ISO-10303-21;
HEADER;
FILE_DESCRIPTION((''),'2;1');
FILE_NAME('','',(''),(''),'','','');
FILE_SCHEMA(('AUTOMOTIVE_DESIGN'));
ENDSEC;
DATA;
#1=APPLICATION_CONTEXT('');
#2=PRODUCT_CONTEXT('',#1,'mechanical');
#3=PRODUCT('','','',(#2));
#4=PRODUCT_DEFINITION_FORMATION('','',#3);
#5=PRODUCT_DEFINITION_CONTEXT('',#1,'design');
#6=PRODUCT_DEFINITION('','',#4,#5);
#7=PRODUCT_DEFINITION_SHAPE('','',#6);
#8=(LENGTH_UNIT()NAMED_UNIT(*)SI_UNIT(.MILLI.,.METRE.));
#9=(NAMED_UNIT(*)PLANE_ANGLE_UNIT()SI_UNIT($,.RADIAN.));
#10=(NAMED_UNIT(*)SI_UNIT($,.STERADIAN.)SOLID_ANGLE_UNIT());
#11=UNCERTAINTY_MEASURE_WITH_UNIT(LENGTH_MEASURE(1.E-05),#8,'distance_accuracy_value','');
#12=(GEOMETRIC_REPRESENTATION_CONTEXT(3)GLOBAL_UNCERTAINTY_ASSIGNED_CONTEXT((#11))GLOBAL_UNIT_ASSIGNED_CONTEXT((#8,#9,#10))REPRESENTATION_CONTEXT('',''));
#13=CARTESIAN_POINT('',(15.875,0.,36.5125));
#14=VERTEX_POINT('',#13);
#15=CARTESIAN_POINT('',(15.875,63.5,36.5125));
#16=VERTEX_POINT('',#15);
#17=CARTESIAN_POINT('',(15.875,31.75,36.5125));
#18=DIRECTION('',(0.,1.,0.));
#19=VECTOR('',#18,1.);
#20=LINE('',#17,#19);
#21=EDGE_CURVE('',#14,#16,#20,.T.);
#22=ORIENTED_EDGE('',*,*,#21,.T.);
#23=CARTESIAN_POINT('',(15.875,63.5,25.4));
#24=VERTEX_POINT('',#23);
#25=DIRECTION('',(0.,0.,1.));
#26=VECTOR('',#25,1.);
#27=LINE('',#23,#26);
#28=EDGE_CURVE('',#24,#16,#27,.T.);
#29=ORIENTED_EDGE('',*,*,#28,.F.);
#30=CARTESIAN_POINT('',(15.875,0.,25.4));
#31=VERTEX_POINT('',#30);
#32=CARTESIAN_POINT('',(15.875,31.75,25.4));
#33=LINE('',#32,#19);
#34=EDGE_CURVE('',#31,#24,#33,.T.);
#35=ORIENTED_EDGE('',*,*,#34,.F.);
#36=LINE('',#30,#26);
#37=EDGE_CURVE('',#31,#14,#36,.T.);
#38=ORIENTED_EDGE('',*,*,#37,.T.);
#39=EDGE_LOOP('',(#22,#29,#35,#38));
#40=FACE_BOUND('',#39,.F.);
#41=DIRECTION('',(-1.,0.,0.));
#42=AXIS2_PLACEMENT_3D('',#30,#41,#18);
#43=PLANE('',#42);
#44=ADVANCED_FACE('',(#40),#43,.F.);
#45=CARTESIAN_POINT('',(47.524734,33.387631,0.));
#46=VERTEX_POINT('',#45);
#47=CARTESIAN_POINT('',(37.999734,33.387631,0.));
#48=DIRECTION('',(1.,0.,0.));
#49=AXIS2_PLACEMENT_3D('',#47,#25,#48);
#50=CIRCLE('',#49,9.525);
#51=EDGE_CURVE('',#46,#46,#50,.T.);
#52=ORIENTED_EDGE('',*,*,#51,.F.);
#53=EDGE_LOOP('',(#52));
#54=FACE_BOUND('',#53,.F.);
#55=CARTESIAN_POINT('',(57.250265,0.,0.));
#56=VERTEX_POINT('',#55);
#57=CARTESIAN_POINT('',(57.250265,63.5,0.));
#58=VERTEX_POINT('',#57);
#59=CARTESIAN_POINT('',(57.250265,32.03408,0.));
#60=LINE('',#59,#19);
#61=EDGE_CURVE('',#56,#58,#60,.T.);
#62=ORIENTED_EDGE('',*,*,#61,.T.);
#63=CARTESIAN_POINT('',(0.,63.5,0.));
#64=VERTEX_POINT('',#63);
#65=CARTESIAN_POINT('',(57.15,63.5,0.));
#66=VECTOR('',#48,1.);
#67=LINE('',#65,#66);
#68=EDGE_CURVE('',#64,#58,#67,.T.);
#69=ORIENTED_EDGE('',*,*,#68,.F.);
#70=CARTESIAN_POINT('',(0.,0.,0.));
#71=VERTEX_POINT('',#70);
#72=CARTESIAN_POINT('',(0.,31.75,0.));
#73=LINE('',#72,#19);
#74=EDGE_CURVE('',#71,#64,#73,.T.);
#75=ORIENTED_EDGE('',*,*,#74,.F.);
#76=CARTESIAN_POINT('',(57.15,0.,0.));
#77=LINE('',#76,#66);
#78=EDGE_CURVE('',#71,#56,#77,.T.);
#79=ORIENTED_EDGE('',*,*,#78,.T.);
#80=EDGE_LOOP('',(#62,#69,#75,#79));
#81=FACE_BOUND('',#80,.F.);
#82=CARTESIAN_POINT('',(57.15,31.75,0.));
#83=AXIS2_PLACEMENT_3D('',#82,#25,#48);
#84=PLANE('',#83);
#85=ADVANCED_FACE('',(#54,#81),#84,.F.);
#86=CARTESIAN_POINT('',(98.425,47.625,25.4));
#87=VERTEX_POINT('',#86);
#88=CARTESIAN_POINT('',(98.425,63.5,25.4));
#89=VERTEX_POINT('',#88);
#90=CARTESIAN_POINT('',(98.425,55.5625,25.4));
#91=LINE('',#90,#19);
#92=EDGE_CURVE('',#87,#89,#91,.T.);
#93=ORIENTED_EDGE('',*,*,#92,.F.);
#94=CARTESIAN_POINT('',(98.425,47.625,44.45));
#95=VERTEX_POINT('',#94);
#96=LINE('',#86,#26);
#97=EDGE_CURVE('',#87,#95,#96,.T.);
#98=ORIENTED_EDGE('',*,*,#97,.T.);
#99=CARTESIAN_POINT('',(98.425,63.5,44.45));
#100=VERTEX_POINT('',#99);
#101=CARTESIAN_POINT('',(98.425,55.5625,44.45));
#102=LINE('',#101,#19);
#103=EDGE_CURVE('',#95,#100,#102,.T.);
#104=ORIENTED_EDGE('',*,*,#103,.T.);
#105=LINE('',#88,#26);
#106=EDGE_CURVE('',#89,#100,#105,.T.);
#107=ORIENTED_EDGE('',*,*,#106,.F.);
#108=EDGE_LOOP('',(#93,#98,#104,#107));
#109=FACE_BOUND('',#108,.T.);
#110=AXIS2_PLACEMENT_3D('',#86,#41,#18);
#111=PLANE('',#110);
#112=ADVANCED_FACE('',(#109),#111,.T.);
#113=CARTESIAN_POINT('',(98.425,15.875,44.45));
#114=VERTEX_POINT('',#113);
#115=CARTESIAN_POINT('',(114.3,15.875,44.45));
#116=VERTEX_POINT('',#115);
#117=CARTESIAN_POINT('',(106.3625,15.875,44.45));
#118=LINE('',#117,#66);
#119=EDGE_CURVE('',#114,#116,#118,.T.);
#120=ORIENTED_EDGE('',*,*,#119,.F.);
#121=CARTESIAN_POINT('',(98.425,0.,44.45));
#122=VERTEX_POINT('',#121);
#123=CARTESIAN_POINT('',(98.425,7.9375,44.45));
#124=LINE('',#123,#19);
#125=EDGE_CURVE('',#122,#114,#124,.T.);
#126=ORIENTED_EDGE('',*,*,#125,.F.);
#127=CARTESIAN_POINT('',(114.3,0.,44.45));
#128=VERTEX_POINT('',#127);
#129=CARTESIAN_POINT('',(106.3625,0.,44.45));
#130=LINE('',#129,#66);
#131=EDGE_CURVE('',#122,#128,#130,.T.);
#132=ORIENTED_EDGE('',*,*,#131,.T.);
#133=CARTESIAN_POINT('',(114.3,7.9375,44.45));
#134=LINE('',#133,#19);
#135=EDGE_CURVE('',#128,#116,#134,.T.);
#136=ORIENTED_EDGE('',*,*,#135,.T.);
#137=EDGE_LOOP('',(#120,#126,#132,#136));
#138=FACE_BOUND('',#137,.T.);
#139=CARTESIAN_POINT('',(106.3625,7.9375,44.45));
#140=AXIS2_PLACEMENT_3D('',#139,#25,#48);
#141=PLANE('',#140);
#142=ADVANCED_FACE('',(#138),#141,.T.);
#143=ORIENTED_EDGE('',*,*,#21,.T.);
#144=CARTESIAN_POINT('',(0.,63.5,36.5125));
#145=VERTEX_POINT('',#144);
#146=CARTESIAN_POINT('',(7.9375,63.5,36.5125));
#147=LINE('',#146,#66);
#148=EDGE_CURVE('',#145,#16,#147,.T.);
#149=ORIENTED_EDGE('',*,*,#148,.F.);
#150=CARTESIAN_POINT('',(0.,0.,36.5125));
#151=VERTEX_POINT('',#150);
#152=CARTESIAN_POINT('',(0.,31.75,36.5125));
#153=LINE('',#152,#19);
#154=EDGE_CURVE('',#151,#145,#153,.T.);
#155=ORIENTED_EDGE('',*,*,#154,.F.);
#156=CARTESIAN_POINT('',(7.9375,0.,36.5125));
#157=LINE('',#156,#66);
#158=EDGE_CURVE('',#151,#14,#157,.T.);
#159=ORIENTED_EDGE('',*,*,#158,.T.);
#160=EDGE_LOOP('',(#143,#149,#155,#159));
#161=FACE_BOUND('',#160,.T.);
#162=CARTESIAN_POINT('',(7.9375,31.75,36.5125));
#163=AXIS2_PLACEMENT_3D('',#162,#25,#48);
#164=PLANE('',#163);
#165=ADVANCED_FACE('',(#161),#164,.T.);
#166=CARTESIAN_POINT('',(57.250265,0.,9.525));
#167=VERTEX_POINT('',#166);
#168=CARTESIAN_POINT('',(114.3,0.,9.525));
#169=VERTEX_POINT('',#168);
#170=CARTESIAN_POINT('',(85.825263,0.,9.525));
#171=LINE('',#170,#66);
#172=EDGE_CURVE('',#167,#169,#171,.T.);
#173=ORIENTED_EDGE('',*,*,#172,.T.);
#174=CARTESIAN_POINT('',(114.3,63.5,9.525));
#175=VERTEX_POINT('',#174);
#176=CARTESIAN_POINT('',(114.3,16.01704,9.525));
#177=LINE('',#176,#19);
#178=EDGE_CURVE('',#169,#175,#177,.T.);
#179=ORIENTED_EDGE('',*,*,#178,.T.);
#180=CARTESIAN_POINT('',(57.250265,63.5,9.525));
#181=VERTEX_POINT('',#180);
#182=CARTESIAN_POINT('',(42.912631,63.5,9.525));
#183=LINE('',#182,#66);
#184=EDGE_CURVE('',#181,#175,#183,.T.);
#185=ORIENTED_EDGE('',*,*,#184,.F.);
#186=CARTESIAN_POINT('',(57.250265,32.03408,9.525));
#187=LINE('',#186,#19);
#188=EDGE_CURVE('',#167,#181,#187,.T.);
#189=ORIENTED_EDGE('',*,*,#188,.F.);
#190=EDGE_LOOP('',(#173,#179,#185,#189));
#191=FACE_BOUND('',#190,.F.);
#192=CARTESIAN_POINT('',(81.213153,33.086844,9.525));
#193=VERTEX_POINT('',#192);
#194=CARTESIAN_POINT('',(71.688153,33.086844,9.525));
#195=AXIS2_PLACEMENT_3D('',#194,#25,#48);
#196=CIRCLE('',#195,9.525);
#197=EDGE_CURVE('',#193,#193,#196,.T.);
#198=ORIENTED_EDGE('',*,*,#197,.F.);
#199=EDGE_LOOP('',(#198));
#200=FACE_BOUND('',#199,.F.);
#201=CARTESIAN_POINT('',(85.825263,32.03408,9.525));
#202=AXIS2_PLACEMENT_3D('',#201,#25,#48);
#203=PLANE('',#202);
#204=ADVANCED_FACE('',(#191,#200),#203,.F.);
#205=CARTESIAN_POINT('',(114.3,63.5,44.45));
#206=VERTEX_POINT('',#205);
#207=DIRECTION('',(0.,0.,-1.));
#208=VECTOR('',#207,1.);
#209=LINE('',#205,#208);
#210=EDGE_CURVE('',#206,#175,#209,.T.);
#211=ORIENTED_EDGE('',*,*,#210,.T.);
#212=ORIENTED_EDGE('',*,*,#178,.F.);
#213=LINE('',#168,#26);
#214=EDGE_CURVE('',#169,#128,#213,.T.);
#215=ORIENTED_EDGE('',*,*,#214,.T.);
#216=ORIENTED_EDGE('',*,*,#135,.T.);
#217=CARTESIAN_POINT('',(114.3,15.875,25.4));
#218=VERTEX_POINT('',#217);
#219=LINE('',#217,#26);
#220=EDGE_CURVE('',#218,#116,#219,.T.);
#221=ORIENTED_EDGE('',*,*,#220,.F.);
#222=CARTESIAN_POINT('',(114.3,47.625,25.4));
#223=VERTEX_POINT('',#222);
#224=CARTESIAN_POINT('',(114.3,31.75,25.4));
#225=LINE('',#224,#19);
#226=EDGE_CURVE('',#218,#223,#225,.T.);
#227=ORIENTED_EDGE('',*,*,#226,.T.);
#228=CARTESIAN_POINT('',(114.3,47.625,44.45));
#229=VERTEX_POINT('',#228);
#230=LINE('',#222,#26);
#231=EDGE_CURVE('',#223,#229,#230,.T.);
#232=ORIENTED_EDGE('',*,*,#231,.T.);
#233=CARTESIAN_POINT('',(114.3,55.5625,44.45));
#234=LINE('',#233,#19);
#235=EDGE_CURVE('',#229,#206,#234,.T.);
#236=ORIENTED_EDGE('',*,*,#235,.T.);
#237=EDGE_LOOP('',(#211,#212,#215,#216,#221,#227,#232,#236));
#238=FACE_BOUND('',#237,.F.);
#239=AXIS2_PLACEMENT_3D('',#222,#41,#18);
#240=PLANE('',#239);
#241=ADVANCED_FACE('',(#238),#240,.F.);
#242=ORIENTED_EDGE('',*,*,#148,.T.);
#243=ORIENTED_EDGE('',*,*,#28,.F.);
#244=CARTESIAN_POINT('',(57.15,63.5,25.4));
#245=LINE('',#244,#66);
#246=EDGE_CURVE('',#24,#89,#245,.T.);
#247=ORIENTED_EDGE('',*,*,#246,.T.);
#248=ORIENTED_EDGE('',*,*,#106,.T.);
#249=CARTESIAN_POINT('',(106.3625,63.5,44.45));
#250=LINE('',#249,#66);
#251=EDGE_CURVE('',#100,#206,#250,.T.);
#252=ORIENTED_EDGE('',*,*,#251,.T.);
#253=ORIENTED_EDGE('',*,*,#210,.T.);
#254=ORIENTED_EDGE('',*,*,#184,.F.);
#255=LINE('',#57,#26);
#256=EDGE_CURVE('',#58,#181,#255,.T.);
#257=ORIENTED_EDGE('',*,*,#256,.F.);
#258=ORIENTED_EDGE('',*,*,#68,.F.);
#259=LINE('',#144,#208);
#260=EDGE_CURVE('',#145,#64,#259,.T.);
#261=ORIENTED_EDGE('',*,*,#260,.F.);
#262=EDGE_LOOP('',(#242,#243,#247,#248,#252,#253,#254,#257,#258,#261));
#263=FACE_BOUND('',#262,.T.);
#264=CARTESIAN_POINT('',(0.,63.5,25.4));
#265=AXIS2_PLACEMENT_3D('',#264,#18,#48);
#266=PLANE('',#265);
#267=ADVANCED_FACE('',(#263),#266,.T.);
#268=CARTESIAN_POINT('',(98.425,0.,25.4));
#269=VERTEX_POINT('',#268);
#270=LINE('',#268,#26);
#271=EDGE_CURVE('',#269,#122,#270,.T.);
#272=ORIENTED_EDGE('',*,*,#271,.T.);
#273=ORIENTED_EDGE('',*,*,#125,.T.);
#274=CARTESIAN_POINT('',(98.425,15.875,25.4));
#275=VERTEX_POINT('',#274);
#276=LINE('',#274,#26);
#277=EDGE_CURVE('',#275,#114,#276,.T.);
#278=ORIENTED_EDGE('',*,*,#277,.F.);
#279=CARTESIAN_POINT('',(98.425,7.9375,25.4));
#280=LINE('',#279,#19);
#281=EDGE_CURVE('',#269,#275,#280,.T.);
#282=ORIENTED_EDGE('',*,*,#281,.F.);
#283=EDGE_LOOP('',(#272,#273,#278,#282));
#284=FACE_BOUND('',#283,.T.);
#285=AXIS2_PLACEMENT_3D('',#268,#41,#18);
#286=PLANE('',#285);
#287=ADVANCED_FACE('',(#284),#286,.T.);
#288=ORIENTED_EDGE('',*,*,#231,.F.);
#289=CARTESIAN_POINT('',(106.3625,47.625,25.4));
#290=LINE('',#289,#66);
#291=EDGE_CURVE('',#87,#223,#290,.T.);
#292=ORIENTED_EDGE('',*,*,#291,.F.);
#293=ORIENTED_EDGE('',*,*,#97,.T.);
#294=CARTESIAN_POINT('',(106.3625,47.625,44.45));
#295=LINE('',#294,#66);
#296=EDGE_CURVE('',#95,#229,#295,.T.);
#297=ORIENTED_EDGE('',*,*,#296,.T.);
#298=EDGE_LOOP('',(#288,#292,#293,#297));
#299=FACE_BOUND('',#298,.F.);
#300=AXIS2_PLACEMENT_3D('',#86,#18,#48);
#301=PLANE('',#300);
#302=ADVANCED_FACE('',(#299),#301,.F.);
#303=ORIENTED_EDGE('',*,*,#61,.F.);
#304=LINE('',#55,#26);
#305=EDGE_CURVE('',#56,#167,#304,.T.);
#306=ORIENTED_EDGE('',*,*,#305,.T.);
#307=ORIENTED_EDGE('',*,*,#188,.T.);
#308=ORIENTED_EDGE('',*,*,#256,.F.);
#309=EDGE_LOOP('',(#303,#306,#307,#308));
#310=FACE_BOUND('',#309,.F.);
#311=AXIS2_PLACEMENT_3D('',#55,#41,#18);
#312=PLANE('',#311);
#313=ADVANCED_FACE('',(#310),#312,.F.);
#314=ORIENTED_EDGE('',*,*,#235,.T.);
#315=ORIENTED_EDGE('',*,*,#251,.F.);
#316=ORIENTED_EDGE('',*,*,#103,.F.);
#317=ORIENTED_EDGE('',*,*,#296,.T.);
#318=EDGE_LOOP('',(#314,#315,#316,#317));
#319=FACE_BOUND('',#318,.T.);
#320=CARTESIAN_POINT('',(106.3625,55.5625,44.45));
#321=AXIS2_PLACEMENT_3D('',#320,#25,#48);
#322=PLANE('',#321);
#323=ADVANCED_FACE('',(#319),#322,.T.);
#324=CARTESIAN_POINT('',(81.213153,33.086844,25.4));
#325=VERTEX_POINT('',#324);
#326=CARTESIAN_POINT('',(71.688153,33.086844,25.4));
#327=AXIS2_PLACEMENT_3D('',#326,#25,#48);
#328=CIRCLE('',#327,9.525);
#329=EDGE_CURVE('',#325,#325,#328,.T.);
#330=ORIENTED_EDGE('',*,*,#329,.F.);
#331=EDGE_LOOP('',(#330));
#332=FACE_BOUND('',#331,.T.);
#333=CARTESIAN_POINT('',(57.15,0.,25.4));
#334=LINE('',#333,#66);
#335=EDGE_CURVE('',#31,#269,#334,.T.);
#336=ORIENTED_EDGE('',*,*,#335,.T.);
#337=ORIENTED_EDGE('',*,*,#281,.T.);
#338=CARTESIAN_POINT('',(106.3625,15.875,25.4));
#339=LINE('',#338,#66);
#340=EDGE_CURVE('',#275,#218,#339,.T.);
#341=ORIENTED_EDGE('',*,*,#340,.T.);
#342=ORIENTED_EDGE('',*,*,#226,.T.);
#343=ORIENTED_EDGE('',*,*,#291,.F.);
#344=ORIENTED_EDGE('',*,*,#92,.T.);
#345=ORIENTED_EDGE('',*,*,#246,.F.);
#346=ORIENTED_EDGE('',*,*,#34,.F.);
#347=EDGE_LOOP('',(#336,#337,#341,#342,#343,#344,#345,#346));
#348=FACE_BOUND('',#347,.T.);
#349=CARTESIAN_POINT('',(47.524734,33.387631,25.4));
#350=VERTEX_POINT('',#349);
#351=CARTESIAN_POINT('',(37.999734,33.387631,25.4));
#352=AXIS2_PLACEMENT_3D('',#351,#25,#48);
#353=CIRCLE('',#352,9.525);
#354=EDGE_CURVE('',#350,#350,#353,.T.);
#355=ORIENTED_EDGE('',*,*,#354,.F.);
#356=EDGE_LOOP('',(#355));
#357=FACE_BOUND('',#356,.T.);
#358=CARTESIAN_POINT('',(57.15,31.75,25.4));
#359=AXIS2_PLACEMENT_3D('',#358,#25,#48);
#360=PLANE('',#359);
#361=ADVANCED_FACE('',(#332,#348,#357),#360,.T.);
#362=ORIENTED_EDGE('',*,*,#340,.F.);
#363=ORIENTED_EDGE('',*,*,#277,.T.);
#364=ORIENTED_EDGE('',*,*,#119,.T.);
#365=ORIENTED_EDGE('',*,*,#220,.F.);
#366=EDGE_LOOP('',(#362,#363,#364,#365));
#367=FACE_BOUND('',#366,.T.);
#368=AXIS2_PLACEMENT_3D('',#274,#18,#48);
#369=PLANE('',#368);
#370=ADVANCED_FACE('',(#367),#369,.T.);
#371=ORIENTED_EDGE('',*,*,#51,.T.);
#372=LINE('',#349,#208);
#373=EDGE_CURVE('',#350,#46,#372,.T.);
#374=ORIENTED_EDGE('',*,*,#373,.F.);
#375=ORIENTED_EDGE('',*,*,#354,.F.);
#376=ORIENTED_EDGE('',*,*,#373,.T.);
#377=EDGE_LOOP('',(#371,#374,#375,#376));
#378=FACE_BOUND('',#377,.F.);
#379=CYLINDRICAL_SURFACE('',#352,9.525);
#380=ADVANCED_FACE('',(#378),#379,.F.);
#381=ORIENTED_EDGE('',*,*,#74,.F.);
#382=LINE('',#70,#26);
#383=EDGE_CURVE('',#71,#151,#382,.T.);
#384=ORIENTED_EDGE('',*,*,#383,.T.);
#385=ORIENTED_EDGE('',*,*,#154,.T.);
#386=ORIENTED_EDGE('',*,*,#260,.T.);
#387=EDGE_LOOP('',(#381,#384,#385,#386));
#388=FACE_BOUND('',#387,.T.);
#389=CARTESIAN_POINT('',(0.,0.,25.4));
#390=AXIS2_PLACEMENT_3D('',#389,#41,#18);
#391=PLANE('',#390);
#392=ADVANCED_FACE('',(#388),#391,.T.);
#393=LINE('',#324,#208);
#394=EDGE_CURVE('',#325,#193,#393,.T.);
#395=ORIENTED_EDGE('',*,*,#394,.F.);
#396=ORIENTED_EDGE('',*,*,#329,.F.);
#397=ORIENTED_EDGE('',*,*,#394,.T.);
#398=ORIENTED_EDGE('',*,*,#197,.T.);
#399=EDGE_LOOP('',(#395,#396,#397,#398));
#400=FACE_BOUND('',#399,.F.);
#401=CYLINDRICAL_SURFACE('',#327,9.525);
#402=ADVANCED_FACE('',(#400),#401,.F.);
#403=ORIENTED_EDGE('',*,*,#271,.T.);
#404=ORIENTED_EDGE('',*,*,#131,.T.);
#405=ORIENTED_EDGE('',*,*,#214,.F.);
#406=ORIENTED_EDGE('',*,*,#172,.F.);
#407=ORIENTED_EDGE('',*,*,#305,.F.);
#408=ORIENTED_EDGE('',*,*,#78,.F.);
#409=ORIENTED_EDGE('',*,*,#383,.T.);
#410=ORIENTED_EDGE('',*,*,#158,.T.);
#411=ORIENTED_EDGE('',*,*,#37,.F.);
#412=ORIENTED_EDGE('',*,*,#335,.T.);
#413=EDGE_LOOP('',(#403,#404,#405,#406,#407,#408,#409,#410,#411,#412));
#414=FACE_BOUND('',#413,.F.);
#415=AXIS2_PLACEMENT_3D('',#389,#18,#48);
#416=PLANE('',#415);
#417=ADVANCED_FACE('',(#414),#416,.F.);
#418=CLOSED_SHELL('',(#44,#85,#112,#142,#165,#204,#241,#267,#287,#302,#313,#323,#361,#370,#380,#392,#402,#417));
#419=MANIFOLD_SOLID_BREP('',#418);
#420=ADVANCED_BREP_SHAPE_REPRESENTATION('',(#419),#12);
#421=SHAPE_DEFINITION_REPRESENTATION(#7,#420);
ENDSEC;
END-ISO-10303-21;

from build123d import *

# Parameters (mm, degrees)
F0_W      = 114.3
F0_H      = 63.5
F1_DEPTH  = 36.5125
F2_W      = 114.3
F2_H      = 63.5
F3_DEPTH  = 11.1125
F4_W      = 57.1499951184
F4_H      = 64.068160916
F5_DEPTH  = 9.525
F6_W      = 15.875
F6_H      = 15.875
F7_DEPTH  = 19.05
F8_W      = 15.875
F8_H      = 15.875
F9_DEPTH  = 19.05
F10_W     = 15.875
F10_H     = 63.5
F11_DEPTH = 11.1125
F12_R     = 9.525
F13_DEPTH = 25.4
F14_R     = 9.525
F15_DEPTH = 25.4


with BuildPart() as f1:
    # F0 (on Top) → F1 (new body)
    with BuildSketch(Plane.XY):
        with Locations((57.15, 31.75)):
            Rectangle(F0_W, F0_H)
    extrude(amount=F1_DEPTH)

    # F2 (on face) → F3 (cut)
    with BuildSketch(Plane.XY.offset(36.5125)):
        with Locations((57.15, 31.75)):
            Rectangle(F2_W, F2_H)
    extrude(amount=-F3_DEPTH, mode=Mode.SUBTRACT)

    # F4 (on Top) → F5 (cut)
    with BuildSketch(Plane.XY):
        with Locations((85.8252625912, 32.034080458)):
            Rectangle(F4_W, F4_H)
    extrude(amount=F5_DEPTH, mode=Mode.SUBTRACT)

    # F6 (on face) → F7 (join)
    with BuildSketch(Plane.XY.offset(25.4)):
        with Locations((106.3625, 7.9375)):
            Rectangle(F6_W, F6_H)
    extrude(amount=F7_DEPTH)

    # F8 (on face) → F9 (join)
    with BuildSketch(Plane.XY.offset(25.4)):
        with Locations((106.3625, 55.5625)):
            Rectangle(F8_W, F8_H)
    extrude(amount=F9_DEPTH)

    # F10 (on face) → F11 (join)
    with BuildSketch(Plane.XY.offset(25.4)):
        with Locations((7.9375, 31.75)):
            Rectangle(F10_W, F10_H)
    extrude(amount=F11_DEPTH)

    # F12 (on face) → F13 (cut)
    with BuildSketch(Plane.XY.offset(25.4)):
        with Locations((37.9997342825, 33.3876311779)):
            Circle(F12_R)
    extrude(amount=-F13_DEPTH, mode=Mode.SUBTRACT)

    # F14 (on face) → F15 (cut)
    with BuildSketch(Plane.XY.offset(25.4)):
        with Locations((71.6881528497, 33.0868437886)):
            Circle(F14_R)
    extrude(amount=-F15_DEPTH, mode=Mode.SUBTRACT)


solid = f1.part
